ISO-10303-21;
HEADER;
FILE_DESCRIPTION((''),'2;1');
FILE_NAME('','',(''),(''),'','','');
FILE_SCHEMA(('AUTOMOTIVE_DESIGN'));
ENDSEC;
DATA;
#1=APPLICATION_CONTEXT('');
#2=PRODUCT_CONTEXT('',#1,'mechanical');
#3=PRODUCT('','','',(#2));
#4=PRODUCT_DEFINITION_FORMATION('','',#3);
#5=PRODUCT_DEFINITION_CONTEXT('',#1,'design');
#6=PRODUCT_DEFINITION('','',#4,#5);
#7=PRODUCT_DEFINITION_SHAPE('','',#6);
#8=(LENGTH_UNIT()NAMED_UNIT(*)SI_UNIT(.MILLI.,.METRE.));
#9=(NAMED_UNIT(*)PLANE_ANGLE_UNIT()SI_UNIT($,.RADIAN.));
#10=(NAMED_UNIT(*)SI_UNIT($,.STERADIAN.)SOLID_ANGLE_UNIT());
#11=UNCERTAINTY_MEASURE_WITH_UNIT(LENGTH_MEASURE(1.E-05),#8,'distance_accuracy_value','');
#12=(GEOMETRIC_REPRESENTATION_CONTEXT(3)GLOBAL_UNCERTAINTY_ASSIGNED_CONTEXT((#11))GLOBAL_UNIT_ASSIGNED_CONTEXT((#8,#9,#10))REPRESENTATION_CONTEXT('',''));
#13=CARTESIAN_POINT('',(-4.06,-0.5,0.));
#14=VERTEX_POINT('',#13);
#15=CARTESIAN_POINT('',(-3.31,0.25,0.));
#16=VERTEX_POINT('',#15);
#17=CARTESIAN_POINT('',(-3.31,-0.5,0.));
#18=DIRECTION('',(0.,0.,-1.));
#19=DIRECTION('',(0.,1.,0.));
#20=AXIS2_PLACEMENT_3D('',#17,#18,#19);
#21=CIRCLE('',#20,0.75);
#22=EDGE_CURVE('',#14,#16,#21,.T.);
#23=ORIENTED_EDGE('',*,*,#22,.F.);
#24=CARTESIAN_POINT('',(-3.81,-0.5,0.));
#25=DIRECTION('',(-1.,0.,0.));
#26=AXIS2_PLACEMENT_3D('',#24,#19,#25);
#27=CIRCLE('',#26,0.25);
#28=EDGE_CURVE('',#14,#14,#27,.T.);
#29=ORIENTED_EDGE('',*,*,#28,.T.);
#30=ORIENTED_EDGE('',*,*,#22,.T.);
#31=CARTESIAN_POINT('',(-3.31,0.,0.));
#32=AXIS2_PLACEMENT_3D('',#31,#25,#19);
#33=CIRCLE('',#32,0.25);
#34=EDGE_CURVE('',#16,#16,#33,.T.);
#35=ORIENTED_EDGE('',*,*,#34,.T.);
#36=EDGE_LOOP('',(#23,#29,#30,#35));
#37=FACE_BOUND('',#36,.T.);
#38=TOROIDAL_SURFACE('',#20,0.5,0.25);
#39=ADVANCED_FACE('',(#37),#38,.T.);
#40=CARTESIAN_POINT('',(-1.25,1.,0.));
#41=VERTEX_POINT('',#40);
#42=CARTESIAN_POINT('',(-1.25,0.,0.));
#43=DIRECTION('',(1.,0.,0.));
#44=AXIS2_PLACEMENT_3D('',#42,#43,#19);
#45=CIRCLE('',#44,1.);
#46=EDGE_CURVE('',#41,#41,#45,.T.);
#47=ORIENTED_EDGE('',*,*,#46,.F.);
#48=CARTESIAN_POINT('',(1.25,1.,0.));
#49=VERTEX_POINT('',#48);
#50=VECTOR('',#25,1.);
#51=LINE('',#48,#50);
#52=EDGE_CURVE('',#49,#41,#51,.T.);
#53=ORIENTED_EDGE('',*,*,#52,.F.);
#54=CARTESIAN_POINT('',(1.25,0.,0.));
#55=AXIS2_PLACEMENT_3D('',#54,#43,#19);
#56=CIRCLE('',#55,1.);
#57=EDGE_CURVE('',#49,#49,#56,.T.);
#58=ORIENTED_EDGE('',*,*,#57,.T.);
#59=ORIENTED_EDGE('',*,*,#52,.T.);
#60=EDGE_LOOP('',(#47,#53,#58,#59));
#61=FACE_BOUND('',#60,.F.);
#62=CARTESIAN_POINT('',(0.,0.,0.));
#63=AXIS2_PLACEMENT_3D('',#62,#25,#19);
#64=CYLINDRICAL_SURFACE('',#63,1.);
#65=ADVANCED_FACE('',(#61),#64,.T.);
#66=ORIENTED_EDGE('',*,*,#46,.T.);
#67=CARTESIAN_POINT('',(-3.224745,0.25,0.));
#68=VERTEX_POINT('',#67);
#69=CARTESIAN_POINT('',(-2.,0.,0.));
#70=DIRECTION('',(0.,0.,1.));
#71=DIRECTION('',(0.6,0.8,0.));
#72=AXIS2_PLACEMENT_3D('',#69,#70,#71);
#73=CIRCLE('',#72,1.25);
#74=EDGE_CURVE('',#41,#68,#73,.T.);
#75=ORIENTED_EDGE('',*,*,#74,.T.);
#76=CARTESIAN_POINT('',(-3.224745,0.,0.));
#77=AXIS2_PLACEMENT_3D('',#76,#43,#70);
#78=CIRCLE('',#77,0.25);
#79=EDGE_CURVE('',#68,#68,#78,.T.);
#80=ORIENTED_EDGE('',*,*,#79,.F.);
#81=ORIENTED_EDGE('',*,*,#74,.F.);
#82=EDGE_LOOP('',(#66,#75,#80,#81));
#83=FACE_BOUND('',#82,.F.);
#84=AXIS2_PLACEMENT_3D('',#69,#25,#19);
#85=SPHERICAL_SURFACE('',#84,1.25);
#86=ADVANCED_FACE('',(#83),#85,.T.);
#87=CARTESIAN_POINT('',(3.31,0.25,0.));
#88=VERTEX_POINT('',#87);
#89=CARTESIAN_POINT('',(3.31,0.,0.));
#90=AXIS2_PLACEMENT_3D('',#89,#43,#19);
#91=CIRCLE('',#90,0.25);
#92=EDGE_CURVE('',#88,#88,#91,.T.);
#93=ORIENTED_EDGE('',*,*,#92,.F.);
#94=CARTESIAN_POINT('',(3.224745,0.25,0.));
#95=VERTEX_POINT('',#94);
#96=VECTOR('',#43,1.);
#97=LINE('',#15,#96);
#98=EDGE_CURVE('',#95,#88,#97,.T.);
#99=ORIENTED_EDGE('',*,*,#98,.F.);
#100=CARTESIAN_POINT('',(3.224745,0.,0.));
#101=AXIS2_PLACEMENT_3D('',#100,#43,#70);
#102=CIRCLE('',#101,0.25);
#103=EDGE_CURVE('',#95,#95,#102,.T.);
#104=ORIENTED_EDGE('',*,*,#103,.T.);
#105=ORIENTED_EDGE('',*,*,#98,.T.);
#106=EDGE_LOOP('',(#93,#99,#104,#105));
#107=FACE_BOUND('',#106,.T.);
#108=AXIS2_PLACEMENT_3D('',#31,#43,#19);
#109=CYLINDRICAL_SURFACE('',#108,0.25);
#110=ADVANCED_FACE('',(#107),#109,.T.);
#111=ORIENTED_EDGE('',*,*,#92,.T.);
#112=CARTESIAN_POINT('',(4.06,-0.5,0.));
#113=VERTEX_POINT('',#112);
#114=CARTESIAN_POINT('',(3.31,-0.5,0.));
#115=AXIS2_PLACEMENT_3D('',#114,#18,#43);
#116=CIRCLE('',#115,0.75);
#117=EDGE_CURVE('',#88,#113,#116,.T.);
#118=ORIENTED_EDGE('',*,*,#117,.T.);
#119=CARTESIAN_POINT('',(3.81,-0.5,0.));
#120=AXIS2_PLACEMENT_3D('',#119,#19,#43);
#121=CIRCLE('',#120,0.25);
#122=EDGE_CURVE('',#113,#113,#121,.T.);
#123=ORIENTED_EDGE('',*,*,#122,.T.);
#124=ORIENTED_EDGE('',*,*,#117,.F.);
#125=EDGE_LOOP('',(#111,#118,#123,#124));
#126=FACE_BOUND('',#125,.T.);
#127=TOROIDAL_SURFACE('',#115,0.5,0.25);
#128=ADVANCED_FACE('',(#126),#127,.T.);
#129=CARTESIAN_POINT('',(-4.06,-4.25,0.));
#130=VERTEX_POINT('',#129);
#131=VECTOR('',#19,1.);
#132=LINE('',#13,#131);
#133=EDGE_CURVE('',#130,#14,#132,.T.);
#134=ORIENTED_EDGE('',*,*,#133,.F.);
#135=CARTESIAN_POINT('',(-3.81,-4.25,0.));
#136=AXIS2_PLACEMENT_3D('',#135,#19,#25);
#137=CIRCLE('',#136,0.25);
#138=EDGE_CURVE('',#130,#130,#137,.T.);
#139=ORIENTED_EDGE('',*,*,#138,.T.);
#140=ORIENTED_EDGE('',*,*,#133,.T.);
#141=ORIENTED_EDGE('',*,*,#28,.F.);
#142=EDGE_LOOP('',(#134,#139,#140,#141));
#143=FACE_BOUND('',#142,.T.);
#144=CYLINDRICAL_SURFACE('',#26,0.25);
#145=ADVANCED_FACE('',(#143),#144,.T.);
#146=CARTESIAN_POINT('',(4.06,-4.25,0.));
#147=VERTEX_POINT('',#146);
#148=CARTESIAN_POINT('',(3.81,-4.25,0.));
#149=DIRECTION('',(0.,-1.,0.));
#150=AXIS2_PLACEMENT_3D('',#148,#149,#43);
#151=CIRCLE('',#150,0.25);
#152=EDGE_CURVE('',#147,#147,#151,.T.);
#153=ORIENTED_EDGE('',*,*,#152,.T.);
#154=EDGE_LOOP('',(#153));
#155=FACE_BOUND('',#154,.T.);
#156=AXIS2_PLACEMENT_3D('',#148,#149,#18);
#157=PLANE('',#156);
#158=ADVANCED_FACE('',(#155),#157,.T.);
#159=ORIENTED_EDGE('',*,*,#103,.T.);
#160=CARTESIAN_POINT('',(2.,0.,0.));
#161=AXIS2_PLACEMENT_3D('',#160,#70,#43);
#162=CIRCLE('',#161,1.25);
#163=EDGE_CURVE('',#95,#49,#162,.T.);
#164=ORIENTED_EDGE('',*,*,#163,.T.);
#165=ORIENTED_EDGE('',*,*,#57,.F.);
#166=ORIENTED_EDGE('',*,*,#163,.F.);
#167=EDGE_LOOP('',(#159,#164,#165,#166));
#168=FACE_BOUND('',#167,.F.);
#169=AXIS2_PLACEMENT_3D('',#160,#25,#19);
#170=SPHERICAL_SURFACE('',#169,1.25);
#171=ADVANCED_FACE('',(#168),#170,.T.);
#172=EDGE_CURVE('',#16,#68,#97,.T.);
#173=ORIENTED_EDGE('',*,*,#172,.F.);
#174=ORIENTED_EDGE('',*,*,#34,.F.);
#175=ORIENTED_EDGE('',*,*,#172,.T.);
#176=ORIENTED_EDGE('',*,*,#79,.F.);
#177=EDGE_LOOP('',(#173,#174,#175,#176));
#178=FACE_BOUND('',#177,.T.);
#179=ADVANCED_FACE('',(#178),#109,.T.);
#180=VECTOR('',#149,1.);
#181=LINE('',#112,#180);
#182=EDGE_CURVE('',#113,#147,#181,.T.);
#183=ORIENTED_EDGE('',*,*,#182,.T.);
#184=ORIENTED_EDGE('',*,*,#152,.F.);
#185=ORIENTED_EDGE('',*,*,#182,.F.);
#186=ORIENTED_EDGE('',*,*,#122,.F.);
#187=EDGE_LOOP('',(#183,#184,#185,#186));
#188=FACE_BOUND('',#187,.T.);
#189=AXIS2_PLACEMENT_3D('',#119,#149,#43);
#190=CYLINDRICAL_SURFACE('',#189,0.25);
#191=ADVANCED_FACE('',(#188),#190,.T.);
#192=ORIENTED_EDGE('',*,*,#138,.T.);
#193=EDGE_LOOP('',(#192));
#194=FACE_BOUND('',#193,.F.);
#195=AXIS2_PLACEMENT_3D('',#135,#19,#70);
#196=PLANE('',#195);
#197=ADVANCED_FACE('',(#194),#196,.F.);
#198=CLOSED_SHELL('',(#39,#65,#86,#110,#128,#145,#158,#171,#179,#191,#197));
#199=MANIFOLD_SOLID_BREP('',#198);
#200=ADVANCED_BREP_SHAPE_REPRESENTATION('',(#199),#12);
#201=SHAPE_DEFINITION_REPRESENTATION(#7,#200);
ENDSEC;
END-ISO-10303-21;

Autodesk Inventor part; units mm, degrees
ref_plane "YZ Plane" through (0, 0, 0) normal (1, 0, 0) x (0, 1, 0)
ref_plane "XZ Plane" through (0, 0, 0) normal (0, 1, 0) x (-1, 0, 0)
ref_plane "XY Plane" through (0, 0, 0) normal (0, 0, 1) x (1, 0, 0)
sketch "Sketch1" plane through (0, 0, 0) normal (0, 0, 1) x (1, 0, 0)
  arc A0 (-1.25, 1) -> (-3.25, 0) centre (-2, 0) ccw
  line L0 (0, 1) -> (-1.25, 1)
  line L1 (0, 0) -> (-3.25, 0)
  line L2 (0, 1) -> (0, 0) construction
  arc A1 (3.25, 0) -> (1.25, 1) centre (2, 0) ccw
  line L3 (0, 1) -> (1.25, 1)
  line L4 (0, 0) -> (3.25, 0)
  dimension "d0" = 2.5
  dimension "d2" = 1
  dimension "d5" = 0
  dimension "d6" = 0
  dimension "d11" = 3.25
revolve "Revolution1" add sketch "Sketch1" angle 360 about axis through (0, 0, 0) along (1, 0, 0)
sketch "Sketch2" plane through (0, 0, 0) normal (0, 0, 1) x (1, 0, 0)
  line L0 (-3.31, 0) -> (3.31, 0)
  line L1 (3.81, -0.5) -> (3.81, -4.25)
  line L2 (-3.81, -0.5) -> (-3.81, -4.25)
  arc A0 (-3.31, 0) -> (-3.81, -0.5) centre (-3.31, -0.5) ccw
  arc A1 (3.81, -0.5) -> (3.31, 0) centre (3.31, -0.5) ccw
  point P0 (0, 0)
  dimension "d8" = 4.25
  dimension "d9" = 7.62
  dimension "d10" = 3.81
  dimension "d12" = 0.5
  dimension "d13" = 0
  dimension "d14" = 4.25
sketch "Sketch3" plane through (0, 0, 0) normal (1, 0, 0) x (0, 1, 0)
  circle A0 centre (0, 0) radius 0.25
  dimension "d15" = 0.5
sweep "Sweep1" add profiles "Sketch3" path "Sketch2"
equation "\"d10\" = 0.5 * d9"
equation "\"d14\" = d8"
properties part number "Resistor"
